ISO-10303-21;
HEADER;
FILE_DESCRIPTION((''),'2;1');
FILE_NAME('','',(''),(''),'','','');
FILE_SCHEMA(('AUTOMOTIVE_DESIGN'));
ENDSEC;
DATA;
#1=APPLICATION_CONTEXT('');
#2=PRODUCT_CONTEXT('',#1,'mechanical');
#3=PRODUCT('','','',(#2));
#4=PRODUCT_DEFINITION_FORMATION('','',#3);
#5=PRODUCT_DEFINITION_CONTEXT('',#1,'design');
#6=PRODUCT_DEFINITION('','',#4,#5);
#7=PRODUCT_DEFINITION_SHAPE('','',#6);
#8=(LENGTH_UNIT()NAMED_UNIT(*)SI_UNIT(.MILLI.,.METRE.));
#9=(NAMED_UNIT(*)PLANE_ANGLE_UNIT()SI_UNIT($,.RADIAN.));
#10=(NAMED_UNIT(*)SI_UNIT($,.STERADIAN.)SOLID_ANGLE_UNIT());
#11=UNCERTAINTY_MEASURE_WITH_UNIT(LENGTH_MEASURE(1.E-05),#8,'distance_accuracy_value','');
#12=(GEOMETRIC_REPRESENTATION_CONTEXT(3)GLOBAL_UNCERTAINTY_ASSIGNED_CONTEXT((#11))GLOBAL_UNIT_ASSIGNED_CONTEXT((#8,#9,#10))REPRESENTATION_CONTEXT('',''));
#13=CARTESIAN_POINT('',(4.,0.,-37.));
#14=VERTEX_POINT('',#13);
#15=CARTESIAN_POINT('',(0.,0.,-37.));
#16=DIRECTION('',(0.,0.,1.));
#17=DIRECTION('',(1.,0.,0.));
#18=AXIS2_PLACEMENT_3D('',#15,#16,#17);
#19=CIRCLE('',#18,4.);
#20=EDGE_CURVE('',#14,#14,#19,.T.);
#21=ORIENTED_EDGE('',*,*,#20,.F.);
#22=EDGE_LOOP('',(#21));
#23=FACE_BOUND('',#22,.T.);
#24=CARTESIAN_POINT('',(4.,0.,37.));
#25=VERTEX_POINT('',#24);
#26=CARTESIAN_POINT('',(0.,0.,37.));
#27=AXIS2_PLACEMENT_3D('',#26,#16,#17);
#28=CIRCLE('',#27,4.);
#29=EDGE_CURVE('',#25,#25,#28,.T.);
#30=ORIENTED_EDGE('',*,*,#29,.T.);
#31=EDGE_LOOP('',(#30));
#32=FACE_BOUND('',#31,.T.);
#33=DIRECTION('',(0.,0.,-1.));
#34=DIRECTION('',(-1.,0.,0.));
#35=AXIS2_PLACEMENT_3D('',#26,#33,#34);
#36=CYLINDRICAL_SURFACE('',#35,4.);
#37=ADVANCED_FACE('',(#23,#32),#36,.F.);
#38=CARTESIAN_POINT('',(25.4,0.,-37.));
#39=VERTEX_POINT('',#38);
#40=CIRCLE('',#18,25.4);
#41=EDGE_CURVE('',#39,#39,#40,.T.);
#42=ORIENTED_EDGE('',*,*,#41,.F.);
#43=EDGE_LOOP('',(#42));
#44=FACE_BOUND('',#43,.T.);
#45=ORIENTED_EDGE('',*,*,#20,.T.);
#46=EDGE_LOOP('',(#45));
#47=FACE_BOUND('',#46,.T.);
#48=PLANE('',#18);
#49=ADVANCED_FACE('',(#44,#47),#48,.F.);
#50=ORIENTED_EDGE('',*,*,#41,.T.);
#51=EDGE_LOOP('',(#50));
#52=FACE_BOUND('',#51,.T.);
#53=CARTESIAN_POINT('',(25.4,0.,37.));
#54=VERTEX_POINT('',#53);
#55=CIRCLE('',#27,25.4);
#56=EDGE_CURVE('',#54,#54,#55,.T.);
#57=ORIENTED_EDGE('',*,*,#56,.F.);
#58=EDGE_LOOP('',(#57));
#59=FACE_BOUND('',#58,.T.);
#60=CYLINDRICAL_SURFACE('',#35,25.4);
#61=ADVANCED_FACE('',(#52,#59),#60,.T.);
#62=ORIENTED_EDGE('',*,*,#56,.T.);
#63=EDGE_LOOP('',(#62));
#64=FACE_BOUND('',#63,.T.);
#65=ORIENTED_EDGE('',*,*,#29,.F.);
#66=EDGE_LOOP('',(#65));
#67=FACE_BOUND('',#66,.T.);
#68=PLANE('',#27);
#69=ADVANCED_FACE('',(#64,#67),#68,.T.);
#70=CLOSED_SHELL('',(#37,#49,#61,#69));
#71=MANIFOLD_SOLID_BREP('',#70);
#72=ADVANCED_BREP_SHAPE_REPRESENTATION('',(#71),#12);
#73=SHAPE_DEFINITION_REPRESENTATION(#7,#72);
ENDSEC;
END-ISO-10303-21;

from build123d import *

# Parameters (mm, degrees)
SKETCH1_R           = 25.4
SKETCH1_R_2         = 4
BOSS_EXTRUDE1_DEPTH = 37


with BuildPart() as part:
    # Sketch1 → Boss-Extrude1 (new body, symmetric)
    with BuildSketch(Plane.XY):
        Circle(SKETCH1_R)
        Circle(SKETCH1_R_2, mode=Mode.SUBTRACT)
    extrude(amount=BOSS_EXTRUDE1_DEPTH, both=True)


solid = part.part
